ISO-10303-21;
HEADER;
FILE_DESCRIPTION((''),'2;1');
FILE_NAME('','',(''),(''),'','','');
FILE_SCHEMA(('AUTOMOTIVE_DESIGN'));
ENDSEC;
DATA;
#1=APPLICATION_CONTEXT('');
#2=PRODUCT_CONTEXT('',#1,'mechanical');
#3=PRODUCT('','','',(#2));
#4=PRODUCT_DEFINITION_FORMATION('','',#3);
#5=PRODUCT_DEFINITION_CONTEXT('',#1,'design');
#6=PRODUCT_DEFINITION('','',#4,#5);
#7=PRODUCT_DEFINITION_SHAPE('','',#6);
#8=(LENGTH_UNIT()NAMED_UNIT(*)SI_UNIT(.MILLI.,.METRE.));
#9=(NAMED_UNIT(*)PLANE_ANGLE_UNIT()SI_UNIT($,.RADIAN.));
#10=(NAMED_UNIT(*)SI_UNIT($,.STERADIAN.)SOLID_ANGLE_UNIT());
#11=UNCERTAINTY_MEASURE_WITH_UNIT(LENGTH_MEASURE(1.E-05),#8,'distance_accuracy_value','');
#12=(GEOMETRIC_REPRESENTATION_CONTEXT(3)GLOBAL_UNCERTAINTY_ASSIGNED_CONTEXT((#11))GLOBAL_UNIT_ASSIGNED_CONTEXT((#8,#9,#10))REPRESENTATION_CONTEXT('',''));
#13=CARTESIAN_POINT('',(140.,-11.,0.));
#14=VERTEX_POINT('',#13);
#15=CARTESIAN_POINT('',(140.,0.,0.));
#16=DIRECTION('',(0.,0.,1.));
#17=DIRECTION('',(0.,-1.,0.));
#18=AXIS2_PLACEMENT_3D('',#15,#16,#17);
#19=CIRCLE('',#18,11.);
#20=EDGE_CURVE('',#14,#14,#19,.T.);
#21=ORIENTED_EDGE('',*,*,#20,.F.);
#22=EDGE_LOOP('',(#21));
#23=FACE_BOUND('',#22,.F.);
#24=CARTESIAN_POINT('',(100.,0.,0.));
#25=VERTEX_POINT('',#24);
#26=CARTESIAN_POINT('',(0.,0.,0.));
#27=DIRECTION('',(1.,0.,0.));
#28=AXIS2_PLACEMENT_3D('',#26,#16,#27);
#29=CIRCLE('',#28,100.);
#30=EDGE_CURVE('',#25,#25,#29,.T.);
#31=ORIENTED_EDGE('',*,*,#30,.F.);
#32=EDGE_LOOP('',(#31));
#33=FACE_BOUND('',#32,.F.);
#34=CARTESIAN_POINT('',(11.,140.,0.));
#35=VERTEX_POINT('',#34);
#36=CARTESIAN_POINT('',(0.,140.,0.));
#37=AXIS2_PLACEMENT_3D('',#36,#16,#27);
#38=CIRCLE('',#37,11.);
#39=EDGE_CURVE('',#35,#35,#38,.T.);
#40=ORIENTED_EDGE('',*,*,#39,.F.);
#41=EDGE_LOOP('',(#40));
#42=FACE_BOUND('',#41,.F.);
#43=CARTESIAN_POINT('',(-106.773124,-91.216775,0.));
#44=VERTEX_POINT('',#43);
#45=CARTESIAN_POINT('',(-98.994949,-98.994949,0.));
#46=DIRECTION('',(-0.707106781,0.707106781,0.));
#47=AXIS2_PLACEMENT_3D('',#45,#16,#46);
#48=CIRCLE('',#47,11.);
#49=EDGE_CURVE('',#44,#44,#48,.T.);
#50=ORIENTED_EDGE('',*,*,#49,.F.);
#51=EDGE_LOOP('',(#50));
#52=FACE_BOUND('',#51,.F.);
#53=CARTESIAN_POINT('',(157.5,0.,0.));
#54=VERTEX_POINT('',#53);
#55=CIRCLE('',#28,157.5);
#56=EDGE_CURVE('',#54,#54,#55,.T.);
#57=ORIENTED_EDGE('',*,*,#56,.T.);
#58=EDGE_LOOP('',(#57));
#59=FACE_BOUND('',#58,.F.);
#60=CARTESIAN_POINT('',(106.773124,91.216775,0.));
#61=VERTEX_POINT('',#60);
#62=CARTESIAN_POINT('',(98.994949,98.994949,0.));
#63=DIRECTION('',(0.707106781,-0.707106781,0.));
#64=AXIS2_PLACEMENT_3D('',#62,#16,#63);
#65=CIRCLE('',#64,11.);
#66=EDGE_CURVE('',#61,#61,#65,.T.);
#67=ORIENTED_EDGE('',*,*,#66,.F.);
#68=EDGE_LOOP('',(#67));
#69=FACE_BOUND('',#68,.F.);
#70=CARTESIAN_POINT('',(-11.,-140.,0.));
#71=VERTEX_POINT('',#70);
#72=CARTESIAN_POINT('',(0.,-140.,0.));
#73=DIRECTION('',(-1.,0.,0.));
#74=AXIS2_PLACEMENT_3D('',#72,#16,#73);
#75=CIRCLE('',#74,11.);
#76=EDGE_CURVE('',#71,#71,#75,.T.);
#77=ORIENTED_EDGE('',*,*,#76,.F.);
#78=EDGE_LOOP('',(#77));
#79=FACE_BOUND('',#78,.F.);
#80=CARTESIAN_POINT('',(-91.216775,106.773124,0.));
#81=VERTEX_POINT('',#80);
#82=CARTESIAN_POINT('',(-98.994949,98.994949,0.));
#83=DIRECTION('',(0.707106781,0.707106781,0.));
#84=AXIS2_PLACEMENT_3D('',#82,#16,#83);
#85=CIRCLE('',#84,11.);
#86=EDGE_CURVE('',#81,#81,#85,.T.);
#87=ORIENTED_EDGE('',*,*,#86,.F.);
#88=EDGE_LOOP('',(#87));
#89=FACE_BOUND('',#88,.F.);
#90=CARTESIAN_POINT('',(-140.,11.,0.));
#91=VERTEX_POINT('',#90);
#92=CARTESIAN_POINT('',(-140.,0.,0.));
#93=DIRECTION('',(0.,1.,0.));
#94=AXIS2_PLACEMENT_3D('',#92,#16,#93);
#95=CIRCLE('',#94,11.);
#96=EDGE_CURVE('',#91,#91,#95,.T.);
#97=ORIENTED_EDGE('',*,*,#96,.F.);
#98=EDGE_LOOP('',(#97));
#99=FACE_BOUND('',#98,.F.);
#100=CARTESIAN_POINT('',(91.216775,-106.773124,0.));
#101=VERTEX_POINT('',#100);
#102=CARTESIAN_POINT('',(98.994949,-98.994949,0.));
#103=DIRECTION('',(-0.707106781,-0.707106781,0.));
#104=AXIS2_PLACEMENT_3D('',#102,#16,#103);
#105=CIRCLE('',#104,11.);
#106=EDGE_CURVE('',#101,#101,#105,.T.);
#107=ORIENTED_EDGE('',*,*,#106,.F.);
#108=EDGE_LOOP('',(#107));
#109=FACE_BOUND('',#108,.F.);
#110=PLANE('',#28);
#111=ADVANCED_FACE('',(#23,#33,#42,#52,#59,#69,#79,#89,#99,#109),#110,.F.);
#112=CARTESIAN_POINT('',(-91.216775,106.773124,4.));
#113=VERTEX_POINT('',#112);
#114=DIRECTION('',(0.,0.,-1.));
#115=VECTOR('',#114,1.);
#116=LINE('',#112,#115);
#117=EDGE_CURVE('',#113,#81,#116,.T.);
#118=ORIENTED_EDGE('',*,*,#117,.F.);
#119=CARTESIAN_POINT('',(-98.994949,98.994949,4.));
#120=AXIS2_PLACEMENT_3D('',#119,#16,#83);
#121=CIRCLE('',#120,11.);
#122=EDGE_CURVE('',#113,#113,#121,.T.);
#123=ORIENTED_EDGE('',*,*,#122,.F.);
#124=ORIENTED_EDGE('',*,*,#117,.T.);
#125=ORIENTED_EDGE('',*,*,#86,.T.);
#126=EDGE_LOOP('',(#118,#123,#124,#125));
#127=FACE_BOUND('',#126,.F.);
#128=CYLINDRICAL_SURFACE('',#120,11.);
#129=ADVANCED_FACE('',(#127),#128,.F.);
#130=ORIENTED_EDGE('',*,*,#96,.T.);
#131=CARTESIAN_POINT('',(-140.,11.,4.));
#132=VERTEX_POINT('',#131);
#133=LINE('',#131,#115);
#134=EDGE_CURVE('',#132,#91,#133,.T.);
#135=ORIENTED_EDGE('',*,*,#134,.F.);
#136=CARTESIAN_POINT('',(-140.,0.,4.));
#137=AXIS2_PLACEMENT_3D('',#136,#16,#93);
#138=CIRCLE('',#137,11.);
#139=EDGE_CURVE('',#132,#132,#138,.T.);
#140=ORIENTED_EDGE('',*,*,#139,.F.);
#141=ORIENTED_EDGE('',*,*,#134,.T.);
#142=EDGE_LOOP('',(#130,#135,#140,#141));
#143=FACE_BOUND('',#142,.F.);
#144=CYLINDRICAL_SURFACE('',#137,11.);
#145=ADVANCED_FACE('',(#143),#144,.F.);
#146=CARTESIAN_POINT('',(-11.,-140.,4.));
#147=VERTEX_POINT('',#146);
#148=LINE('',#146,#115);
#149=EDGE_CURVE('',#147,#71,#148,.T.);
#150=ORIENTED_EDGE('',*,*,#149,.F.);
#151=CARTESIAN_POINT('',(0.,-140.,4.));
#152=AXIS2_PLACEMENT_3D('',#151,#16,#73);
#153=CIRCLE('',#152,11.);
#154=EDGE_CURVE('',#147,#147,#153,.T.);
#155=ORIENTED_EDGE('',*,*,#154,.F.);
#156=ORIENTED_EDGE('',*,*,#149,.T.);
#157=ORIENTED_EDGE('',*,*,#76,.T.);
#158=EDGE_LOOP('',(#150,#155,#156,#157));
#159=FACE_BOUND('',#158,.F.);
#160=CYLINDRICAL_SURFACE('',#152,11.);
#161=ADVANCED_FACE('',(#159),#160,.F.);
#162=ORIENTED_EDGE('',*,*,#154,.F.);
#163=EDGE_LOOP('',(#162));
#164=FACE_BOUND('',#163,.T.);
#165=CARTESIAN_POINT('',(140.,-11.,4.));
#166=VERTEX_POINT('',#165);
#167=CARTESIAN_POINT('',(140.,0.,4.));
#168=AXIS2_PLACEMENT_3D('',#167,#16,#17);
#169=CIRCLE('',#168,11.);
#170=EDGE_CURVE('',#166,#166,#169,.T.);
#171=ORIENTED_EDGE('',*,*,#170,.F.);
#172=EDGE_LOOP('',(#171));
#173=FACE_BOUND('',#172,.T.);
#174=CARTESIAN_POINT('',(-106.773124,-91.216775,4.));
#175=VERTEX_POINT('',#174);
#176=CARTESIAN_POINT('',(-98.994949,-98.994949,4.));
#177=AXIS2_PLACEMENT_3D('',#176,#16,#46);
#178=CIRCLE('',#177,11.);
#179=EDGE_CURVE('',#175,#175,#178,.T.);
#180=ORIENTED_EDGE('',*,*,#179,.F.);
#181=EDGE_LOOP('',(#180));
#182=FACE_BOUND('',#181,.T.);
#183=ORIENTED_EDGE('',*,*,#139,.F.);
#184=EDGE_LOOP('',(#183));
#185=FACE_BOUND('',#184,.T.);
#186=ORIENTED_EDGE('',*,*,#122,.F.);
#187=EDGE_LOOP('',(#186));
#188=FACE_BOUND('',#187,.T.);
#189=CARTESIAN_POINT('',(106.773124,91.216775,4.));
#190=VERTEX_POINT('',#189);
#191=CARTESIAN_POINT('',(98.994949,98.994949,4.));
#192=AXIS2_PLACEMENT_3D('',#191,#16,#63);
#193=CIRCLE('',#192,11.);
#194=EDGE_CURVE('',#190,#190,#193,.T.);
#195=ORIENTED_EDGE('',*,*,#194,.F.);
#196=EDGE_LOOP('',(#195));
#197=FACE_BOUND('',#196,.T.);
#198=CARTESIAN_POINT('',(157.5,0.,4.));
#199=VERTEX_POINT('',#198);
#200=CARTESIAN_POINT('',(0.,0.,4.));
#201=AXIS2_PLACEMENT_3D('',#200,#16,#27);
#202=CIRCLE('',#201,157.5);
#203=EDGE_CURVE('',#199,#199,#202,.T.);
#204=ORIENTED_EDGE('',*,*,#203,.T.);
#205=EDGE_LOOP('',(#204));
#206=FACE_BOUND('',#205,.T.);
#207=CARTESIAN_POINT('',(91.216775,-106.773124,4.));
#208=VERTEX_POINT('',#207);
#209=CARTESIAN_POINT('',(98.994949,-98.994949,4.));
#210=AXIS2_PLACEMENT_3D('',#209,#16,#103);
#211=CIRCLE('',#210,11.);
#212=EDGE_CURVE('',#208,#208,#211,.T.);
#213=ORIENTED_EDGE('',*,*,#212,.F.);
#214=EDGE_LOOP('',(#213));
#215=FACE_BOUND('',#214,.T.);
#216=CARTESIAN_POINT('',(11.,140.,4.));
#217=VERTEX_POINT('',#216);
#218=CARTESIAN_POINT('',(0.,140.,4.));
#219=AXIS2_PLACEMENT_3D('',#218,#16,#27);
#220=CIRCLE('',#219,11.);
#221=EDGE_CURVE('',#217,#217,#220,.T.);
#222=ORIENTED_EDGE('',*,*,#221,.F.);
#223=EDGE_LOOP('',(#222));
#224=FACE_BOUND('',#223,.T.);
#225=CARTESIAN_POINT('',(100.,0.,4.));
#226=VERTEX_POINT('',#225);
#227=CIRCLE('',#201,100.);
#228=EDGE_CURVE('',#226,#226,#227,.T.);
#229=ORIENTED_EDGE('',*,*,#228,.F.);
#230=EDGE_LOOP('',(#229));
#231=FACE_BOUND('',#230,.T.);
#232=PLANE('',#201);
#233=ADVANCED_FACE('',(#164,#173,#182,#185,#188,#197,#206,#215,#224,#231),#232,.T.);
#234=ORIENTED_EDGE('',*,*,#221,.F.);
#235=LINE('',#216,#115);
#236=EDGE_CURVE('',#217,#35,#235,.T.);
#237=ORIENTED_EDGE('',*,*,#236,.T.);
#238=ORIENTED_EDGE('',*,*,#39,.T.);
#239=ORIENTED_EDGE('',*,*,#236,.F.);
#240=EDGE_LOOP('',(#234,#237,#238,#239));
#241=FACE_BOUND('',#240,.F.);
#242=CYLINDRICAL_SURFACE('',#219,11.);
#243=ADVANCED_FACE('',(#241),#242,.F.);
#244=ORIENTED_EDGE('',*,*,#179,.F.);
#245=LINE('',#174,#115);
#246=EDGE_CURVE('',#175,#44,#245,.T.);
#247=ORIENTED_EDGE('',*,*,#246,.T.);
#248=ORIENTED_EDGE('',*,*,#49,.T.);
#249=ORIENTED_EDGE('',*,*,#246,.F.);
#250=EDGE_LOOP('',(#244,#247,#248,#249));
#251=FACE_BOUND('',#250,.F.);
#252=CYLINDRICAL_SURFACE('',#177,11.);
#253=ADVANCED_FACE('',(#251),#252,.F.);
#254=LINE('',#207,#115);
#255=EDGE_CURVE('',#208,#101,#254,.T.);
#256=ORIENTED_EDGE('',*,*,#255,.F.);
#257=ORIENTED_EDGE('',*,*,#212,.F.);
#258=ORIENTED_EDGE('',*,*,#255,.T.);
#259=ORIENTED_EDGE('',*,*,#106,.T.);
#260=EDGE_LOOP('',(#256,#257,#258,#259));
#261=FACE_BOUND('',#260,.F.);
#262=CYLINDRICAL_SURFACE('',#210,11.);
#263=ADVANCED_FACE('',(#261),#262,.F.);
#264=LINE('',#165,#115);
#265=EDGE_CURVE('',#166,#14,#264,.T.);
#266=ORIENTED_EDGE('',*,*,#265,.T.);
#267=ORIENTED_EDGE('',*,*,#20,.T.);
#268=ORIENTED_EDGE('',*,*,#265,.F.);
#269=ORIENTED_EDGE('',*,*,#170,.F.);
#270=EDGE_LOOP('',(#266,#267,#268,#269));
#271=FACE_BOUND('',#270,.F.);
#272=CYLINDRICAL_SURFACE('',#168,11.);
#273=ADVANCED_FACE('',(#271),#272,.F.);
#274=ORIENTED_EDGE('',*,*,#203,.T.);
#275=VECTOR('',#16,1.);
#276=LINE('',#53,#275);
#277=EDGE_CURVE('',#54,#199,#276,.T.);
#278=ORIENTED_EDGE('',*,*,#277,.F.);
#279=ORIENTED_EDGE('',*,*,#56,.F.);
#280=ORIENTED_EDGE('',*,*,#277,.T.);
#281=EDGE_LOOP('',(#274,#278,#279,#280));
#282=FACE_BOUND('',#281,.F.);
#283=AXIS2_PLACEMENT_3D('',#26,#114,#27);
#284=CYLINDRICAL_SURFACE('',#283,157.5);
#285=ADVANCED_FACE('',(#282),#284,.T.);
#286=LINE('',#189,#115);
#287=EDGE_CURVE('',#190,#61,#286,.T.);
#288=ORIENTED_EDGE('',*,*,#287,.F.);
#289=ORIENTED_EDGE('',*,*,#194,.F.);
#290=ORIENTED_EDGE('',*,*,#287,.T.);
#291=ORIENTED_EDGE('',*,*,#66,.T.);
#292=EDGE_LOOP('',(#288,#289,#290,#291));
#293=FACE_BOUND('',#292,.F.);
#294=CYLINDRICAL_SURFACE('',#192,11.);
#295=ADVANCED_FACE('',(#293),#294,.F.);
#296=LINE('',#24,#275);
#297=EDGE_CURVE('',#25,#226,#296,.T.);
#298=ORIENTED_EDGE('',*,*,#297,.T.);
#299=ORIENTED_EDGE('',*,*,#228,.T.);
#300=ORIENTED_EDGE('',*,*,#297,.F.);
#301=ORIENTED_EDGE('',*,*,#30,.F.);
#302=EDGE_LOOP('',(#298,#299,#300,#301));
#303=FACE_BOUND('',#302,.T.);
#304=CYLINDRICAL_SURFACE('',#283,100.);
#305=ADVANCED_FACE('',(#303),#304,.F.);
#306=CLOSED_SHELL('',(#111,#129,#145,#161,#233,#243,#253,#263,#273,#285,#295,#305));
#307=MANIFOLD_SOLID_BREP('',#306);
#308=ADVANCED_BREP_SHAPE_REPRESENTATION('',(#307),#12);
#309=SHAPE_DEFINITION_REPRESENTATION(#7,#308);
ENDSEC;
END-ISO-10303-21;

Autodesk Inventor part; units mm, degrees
ref_plane "YZ Plane" through (0, 0, 0) normal (1, 0, 0) x (0, 1, 0)
ref_plane "XZ Plane" through (0, 0, 0) normal (0, 1, 0) x (-1, 0, 0)
ref_plane "XY Plane" through (0, 0, 0) normal (0, 0, 1) x (1, 0, 0)
sketch "Sketch1" plane through (0, 0, 0) normal (0, 0, 1) x (1, 0, 0)
  circle A0 centre (0, 0) radius 100
  circle A1 centre (0, 0) radius 157.5
  dimension "d22" = 200
  dimension "d23" = 315
extrude "Plate1" add sketch "Sketch1" along normal blind 4
sketch "Sketch5" plane through (0, 0, 4) normal (0, 0, 1) x (1, 0, 0)
  circle A0 centre (0, 140) radius 11
  circle A1 centre (0, 0) radius 140 construction
  dimension "d25" = 280
  dimension "d24" = 22
extrude "Cut1" cut sketch "Sketch5" against normal blind 4
pattern_circular "Circular Pattern1" count 8 over 360 about axis through (0, 0, 0) along (0, 0, 1) of "Cut1"
equation "\"d26\" = Thickness"
equation "\"d2\" = Thickness"
equation "\"BendReliefWidth\" = Thickness"
equation "\"BendReliefDepth\" = 0.5 * Thickness"
equation "\"CornerReliefSize\" = 4 * Thickness"
equation "\"MinimumRemnant\" = 2 * Thickness"
equation "\"TransitionRadius\" = BendRadius"
equation "\"JacobiRadiusSize\" = BendRadius"
equation "\"GapSize\" = Thickness"
equation "\"Thickness\" = 4"
equation "\"BendRadius\" = 5"
properties part number "ANP 1411 BOTTOM DS main flange" material "Stainless Steel"
